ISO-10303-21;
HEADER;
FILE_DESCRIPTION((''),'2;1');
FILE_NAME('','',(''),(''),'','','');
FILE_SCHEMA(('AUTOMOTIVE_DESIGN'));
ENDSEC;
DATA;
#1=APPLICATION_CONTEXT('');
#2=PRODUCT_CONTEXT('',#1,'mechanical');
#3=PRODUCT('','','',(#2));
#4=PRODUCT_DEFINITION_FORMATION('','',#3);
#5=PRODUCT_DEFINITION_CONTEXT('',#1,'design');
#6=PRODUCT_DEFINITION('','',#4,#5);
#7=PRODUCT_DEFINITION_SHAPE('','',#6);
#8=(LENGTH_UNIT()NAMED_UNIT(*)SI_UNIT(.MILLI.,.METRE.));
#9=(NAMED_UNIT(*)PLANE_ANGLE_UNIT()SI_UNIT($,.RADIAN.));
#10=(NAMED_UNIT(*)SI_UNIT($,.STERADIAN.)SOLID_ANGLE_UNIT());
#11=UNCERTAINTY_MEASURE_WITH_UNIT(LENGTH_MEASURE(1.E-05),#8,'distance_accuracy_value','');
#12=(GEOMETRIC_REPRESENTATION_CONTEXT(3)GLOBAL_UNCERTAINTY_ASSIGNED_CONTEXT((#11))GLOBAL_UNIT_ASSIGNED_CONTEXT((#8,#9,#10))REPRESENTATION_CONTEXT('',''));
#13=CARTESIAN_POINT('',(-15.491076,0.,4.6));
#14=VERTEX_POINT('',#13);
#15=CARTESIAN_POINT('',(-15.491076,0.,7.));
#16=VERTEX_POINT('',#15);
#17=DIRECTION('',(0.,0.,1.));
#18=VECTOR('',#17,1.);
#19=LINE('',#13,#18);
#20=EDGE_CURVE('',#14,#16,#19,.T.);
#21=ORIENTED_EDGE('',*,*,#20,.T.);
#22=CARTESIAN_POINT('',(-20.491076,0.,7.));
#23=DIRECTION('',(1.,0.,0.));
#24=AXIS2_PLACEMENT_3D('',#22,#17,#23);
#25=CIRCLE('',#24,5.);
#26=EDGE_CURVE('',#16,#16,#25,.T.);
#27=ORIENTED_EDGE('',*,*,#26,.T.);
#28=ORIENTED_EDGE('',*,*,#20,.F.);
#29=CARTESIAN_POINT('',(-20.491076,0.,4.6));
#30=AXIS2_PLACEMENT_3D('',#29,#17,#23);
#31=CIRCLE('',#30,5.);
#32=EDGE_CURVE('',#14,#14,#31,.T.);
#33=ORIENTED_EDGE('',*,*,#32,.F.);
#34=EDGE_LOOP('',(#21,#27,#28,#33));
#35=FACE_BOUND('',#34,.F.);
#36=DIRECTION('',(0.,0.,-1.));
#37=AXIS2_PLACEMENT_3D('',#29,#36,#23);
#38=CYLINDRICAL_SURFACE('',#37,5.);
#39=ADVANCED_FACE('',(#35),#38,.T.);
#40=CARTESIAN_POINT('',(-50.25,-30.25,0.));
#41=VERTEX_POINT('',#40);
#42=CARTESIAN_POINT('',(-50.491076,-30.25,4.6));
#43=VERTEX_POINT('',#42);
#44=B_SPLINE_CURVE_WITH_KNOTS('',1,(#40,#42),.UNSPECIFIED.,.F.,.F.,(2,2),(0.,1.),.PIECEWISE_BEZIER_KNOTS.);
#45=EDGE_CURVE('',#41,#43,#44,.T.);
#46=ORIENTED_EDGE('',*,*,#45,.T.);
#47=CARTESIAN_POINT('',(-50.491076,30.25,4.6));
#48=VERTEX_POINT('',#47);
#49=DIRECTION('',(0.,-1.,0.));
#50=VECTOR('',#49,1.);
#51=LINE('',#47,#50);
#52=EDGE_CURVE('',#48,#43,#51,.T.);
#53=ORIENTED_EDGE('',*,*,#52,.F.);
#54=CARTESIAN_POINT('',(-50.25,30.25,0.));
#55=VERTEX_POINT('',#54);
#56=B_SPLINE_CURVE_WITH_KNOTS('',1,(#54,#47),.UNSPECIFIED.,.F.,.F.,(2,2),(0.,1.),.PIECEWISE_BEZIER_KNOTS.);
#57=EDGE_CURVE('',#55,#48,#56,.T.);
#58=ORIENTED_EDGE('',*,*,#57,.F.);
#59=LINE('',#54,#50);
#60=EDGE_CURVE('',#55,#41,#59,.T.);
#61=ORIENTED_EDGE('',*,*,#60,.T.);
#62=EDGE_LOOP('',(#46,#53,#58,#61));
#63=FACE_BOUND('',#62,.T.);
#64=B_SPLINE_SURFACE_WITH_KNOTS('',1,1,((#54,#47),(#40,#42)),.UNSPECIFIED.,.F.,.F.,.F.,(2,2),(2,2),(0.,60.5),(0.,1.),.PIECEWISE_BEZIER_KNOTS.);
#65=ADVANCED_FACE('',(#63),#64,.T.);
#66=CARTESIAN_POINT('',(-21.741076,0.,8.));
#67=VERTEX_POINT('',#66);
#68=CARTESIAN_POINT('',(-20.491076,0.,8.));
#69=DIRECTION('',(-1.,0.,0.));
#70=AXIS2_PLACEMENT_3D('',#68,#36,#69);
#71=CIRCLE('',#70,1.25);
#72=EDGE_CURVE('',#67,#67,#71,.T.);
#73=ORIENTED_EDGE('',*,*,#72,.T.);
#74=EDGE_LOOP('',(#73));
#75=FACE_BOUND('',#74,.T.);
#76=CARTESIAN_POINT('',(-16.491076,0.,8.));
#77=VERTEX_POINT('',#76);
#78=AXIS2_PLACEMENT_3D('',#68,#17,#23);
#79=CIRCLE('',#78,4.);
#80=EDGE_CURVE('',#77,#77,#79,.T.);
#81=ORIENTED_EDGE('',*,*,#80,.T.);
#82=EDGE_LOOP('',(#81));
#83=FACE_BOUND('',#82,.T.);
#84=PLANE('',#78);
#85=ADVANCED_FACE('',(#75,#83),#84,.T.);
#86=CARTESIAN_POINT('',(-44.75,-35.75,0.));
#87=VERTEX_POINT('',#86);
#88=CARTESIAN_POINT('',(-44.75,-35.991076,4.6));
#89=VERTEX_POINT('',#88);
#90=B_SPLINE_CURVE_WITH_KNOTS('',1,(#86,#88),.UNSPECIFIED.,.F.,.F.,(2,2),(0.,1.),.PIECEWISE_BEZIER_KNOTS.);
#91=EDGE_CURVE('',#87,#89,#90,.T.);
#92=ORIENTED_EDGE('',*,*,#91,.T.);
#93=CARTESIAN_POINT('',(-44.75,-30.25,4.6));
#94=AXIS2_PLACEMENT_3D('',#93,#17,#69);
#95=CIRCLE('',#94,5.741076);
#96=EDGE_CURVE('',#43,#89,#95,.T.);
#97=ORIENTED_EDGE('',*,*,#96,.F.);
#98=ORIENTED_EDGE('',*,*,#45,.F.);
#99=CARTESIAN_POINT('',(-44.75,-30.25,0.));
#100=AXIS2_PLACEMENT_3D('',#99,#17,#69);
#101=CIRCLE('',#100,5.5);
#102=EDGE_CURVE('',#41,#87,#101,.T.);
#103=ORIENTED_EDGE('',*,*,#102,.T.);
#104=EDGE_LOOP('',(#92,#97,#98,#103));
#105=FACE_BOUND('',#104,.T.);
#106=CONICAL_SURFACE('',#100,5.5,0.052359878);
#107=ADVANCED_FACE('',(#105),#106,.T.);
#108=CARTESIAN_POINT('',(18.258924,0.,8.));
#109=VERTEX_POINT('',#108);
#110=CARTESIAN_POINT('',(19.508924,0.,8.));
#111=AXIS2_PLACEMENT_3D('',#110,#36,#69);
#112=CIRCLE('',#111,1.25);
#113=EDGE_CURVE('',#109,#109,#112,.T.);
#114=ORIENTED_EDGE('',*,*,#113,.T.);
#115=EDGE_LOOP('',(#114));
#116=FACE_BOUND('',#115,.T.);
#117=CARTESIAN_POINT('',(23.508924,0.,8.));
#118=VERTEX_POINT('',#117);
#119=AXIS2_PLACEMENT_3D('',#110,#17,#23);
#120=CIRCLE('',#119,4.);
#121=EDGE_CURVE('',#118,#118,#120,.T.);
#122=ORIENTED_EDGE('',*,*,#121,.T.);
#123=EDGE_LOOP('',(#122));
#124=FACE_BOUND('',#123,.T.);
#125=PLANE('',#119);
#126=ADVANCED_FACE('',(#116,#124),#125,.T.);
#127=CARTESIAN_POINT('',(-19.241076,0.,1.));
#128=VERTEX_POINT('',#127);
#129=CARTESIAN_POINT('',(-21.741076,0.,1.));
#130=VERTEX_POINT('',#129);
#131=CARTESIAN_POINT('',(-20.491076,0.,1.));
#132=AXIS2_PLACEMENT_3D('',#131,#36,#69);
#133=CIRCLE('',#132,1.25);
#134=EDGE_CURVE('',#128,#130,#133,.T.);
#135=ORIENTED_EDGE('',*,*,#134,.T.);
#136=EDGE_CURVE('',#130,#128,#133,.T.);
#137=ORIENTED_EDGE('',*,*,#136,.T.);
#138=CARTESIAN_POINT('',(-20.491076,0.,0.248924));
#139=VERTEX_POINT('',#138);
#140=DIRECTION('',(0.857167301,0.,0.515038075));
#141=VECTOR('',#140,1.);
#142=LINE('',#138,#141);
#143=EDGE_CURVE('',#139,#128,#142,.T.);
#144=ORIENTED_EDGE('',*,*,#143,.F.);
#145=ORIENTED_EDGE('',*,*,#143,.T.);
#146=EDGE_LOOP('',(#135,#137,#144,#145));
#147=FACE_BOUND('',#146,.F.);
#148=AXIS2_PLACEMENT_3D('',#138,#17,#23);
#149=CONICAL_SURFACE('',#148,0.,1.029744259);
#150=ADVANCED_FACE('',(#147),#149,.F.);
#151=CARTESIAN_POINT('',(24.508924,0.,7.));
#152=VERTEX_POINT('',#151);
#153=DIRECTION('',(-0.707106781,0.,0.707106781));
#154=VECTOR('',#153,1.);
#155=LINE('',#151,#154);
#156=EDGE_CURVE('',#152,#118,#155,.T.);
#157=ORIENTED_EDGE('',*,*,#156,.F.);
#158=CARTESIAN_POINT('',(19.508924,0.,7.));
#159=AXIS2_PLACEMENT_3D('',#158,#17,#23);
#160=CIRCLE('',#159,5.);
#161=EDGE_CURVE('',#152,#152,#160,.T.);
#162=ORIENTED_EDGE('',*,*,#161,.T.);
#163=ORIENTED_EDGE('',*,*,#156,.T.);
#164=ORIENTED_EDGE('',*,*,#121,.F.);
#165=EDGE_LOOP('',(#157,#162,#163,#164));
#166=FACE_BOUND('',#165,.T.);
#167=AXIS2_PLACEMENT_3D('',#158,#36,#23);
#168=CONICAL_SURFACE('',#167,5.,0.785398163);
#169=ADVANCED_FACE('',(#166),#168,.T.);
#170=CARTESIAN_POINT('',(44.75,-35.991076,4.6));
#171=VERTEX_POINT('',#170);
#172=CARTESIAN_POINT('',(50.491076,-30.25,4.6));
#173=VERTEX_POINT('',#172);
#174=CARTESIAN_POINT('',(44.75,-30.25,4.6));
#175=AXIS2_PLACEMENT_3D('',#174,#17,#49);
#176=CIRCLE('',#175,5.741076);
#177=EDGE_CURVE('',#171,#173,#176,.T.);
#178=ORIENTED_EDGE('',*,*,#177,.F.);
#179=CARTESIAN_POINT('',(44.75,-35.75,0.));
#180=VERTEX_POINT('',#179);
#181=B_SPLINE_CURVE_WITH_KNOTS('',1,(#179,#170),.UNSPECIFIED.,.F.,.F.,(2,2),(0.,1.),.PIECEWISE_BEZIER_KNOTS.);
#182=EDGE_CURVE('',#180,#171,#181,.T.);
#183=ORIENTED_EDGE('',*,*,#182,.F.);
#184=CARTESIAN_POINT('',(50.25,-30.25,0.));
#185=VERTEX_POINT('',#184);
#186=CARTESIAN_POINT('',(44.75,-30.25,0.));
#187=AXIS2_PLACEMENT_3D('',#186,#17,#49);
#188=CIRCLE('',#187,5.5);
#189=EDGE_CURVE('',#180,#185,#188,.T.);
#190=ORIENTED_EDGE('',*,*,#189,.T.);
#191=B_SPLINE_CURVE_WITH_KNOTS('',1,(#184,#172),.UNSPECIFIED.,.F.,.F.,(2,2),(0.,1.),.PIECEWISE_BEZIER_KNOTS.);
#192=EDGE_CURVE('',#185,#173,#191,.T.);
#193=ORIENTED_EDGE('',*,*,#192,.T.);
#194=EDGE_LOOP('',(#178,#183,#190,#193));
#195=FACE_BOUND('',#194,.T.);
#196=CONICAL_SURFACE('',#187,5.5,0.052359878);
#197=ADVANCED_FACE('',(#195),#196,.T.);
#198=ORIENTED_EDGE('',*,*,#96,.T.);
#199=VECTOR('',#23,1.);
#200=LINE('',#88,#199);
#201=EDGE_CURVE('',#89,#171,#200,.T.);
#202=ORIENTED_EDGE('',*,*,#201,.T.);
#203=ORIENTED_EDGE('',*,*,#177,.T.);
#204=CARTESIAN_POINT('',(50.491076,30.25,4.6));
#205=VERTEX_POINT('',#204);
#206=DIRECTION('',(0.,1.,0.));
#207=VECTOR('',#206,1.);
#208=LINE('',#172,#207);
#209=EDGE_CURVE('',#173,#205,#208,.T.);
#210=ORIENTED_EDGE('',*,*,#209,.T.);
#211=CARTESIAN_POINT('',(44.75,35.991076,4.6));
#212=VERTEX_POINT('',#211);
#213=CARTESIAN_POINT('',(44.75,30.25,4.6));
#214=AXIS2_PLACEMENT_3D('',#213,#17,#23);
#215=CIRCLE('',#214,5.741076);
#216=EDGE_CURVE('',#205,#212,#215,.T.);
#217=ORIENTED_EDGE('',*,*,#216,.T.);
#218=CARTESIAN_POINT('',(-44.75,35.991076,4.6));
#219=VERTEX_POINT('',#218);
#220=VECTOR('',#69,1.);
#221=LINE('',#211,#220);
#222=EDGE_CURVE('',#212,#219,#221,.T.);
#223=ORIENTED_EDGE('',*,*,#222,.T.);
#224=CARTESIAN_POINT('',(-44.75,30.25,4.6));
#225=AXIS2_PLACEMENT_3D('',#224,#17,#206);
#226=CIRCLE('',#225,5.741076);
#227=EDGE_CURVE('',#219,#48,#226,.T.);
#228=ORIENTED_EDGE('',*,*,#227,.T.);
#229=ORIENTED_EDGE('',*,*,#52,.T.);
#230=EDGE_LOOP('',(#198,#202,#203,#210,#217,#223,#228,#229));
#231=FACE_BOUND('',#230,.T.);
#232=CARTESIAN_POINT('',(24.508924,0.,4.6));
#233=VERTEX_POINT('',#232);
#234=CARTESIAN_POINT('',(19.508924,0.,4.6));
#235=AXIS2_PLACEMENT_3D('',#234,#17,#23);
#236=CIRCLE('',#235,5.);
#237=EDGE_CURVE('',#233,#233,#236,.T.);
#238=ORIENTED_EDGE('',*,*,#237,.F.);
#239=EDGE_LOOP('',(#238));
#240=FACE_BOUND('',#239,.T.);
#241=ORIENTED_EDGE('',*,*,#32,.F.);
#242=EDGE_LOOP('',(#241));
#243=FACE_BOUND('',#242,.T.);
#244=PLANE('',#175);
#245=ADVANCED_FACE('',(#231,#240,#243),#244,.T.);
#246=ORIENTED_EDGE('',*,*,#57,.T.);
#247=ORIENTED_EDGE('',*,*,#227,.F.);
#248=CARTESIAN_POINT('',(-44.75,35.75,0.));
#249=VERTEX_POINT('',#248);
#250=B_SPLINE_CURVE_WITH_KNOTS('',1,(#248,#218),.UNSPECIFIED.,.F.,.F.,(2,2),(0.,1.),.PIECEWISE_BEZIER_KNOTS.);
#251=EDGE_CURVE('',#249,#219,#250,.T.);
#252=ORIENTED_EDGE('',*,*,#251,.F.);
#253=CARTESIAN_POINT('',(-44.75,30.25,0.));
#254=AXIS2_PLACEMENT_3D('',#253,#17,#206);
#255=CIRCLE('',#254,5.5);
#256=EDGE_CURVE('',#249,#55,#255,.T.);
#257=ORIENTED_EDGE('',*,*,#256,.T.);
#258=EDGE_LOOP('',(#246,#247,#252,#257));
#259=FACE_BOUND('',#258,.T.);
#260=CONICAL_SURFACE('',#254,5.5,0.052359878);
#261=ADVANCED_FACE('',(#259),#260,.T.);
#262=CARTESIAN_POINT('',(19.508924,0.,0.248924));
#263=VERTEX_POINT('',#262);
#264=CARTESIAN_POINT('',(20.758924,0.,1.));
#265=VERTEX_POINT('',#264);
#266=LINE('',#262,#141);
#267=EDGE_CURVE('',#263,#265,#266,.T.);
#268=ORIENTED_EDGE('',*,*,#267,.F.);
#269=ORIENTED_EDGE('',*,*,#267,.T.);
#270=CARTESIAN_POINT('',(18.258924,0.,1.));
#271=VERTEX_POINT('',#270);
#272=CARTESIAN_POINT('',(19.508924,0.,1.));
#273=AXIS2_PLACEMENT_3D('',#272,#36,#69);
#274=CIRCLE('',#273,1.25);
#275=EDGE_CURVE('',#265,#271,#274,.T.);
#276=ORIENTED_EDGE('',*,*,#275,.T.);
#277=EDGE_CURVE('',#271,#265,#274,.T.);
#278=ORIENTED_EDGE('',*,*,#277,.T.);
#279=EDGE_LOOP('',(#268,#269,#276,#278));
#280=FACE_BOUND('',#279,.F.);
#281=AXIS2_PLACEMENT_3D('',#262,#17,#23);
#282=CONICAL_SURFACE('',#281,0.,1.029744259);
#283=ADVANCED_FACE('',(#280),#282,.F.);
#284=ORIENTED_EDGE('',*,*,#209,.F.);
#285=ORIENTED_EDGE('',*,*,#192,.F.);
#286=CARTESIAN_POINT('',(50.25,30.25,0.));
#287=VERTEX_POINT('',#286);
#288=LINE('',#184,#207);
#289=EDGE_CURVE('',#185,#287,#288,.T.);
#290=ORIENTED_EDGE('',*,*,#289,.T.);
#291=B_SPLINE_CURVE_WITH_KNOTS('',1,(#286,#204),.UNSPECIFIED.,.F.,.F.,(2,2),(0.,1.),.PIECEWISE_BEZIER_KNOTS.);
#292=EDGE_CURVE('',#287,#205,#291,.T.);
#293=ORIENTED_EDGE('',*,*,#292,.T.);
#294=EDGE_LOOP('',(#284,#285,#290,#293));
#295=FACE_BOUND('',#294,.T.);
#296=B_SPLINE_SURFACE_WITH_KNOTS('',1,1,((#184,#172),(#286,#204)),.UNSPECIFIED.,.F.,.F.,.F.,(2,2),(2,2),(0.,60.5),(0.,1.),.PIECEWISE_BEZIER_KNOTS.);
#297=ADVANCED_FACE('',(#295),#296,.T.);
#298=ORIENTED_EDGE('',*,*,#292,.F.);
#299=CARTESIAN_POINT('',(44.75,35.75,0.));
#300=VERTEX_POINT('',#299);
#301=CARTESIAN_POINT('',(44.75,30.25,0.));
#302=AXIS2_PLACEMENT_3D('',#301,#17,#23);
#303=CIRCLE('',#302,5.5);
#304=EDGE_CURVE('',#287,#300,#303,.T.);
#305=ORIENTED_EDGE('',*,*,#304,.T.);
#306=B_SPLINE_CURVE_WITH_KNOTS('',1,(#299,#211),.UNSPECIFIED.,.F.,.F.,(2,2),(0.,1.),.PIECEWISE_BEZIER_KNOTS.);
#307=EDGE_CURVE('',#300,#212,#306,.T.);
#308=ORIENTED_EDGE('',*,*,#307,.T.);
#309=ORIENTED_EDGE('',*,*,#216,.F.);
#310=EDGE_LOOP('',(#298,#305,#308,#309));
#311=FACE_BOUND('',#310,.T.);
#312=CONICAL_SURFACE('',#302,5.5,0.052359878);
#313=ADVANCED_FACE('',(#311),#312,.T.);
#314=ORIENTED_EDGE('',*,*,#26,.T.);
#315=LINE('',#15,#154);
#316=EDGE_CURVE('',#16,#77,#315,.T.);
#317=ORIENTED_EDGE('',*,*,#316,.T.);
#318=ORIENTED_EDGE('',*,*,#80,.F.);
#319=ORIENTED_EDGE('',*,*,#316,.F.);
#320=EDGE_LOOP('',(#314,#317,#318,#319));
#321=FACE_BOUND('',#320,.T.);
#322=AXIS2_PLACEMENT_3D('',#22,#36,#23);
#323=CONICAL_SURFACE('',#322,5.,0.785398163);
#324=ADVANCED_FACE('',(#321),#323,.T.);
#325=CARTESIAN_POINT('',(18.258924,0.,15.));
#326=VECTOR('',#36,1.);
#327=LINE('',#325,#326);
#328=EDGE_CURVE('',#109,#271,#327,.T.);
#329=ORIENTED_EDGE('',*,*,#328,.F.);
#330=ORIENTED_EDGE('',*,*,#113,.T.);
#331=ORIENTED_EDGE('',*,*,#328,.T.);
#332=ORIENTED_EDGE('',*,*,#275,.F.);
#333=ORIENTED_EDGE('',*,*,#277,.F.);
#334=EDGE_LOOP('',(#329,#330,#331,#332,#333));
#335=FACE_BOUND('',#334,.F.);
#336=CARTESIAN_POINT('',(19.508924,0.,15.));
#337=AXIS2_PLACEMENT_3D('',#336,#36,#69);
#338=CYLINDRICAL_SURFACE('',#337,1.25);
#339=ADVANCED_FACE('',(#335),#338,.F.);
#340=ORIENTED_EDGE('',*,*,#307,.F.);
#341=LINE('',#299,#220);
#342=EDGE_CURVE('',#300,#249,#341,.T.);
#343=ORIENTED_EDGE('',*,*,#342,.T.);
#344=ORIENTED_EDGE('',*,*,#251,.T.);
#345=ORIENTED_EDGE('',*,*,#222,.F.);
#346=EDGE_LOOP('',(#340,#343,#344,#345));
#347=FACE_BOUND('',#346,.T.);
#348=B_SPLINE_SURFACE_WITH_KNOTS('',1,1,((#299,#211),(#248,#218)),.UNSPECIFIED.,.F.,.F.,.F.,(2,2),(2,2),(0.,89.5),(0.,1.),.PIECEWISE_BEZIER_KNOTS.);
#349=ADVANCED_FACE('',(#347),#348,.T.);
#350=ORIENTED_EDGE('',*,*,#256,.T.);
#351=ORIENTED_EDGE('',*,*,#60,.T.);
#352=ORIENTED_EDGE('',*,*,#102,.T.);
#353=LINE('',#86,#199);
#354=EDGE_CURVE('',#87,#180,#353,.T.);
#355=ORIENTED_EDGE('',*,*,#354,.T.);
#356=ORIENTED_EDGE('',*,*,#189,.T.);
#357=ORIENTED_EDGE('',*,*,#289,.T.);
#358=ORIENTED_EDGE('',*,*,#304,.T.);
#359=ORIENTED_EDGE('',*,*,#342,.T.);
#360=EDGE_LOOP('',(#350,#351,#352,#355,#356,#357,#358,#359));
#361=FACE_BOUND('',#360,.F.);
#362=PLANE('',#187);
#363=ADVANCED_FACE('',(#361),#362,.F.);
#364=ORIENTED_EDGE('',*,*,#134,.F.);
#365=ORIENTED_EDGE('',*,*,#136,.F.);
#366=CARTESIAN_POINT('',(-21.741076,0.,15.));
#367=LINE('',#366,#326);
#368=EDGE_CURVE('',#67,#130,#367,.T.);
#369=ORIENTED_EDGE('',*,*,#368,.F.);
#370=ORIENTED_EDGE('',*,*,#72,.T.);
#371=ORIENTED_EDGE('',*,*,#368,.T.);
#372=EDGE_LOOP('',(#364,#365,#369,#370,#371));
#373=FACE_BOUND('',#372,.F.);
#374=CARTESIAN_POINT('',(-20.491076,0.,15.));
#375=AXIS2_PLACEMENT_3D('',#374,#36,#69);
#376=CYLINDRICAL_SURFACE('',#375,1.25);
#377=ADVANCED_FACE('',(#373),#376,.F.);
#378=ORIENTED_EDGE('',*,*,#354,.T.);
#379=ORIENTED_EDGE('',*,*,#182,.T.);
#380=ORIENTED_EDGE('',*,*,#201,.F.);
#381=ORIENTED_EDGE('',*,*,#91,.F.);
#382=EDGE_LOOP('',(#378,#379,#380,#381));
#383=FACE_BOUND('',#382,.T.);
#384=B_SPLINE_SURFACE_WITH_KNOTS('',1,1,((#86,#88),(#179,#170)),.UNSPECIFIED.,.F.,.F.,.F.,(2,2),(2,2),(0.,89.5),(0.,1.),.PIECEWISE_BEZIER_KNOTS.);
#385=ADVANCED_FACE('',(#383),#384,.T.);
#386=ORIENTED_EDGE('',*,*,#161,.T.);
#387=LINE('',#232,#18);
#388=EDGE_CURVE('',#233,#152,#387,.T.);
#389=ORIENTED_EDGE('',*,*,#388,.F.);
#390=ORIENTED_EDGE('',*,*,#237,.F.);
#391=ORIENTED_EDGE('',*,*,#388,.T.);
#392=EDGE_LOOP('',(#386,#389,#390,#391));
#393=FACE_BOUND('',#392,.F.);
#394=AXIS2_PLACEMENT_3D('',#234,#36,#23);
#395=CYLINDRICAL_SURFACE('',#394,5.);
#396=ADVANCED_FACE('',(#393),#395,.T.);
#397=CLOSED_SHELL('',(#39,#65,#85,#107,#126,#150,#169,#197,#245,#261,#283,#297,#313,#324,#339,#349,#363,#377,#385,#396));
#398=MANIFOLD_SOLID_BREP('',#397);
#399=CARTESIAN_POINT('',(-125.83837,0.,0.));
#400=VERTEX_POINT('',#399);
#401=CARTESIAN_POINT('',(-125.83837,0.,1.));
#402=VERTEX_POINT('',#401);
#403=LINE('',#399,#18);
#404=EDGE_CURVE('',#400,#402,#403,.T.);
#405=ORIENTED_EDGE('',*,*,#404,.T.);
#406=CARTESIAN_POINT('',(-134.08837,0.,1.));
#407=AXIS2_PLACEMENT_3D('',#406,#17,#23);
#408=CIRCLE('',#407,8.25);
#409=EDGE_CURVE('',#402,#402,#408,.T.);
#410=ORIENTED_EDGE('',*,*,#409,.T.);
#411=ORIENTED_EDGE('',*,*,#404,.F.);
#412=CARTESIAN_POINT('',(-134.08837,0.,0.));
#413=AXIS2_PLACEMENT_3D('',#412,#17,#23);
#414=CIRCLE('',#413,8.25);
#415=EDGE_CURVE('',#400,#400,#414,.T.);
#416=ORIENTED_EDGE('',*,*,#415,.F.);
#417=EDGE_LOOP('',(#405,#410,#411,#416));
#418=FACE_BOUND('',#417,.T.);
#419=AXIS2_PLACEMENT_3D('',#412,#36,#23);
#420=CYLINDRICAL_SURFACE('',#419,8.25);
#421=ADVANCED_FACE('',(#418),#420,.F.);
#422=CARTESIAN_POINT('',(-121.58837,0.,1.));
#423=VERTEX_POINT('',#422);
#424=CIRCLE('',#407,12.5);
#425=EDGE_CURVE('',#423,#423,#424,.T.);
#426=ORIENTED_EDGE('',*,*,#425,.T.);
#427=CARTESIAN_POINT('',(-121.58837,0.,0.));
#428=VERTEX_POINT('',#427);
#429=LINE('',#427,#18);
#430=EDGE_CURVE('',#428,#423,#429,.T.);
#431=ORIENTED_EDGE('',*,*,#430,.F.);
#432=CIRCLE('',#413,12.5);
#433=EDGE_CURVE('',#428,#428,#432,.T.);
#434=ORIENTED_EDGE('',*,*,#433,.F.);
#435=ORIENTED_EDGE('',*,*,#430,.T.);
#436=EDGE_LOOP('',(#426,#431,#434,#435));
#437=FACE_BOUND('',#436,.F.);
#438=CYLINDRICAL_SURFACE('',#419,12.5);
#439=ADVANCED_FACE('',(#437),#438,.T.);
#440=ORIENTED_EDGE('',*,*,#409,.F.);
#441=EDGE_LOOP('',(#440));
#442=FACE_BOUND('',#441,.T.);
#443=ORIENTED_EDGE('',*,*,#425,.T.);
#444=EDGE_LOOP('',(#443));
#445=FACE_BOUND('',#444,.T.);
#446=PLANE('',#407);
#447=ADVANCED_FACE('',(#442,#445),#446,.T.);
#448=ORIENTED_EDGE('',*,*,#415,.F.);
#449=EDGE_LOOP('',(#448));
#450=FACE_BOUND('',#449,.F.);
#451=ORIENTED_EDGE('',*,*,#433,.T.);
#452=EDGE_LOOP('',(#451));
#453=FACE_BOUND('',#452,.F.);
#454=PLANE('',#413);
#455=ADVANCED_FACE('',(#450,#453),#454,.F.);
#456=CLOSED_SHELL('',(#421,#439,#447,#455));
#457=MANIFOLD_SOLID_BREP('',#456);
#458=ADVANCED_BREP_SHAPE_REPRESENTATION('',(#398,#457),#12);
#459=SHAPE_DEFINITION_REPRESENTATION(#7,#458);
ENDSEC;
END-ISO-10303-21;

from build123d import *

# Parameters (mm, degrees)
F1_DEPTH = 4.6
F1_TAPER = -3
F2_R     = 5
F3_DEPTH = 3.4
F4_SIZE  = 1
F6_D     = 2.5
F6_DEPTH = 7
F6_TIP   = 0.7510757738
F7_R     = 12.5
F7_R_2   = 8.25
F8_DEPTH = 1


with BuildPart() as f1:
    # F0 (on Top) → F1 (new body)
    with BuildSketch(Plane.XY):
        with BuildLine():
            Line((-44.75, -35.75), (44.75, -35.75))
            ThreePointArc((44.75, -35.75), (48.6390872965, -34.1390872965), (50.25, -30.25))
            Line((50.25, -30.25), (50.25, 30.25))
            ThreePointArc((50.25, 30.25), (48.6390872965, 34.1390872965), (44.75, 35.75))
            Line((44.75, 35.75), (-44.75, 35.75))
            ThreePointArc((-44.75, 35.75), (-48.6390872965, 34.1390872965), (-50.25, 30.25))
            Line((-50.25, 30.25), (-50.25, -30.25))
            ThreePointArc((-50.25, -30.25), (-48.6390872965, -34.1390872965), (-44.75, -35.75))
        make_face()
    extrude(amount=F1_DEPTH, taper=F1_TAPER)

    # F2 (on face) → F3 (join)
    with BuildSketch(Plane.XY.offset(4.6)):
        with Locations((19.5089242153, 0)):
            Circle(F2_R)
        with Locations((-20.4910757847, 0)):
            Circle(F2_R)
    extrude(amount=F3_DEPTH)

    # F4
    f4_edges = [f1.edges().sort_by_distance(p)[0] for p in [
        (-25.491076, 0, 8),
        (14.508924, 0, 8),
    ]]
    chamfer(f4_edges, length=F4_SIZE)

    # F6
    with Locations(Plane.XY.offset(8)):
        with Locations((-20.4910757847, 0), (19.5089242153, 0)):
            Hole(F6_D / 2, depth=F6_DEPTH)
            with Locations((0, 0, -(F6_DEPTH + F6_TIP / 2))):  # 118° drill point
                Cone(0, F6_D / 2, F6_TIP, mode=Mode.SUBTRACT)


with BuildPart() as f8:
    # F7 (on Top) → F8 (new body)
    with BuildSketch(Plane.XY):
        with Locations((-134.0883696164, 0)):
            Circle(F7_R)
        with Locations((-134.0883696164, 0)):
            Circle(F7_R_2, mode=Mode.SUBTRACT)
    extrude(amount=F8_DEPTH)


solid = Compound([f1.part, f8.part])
